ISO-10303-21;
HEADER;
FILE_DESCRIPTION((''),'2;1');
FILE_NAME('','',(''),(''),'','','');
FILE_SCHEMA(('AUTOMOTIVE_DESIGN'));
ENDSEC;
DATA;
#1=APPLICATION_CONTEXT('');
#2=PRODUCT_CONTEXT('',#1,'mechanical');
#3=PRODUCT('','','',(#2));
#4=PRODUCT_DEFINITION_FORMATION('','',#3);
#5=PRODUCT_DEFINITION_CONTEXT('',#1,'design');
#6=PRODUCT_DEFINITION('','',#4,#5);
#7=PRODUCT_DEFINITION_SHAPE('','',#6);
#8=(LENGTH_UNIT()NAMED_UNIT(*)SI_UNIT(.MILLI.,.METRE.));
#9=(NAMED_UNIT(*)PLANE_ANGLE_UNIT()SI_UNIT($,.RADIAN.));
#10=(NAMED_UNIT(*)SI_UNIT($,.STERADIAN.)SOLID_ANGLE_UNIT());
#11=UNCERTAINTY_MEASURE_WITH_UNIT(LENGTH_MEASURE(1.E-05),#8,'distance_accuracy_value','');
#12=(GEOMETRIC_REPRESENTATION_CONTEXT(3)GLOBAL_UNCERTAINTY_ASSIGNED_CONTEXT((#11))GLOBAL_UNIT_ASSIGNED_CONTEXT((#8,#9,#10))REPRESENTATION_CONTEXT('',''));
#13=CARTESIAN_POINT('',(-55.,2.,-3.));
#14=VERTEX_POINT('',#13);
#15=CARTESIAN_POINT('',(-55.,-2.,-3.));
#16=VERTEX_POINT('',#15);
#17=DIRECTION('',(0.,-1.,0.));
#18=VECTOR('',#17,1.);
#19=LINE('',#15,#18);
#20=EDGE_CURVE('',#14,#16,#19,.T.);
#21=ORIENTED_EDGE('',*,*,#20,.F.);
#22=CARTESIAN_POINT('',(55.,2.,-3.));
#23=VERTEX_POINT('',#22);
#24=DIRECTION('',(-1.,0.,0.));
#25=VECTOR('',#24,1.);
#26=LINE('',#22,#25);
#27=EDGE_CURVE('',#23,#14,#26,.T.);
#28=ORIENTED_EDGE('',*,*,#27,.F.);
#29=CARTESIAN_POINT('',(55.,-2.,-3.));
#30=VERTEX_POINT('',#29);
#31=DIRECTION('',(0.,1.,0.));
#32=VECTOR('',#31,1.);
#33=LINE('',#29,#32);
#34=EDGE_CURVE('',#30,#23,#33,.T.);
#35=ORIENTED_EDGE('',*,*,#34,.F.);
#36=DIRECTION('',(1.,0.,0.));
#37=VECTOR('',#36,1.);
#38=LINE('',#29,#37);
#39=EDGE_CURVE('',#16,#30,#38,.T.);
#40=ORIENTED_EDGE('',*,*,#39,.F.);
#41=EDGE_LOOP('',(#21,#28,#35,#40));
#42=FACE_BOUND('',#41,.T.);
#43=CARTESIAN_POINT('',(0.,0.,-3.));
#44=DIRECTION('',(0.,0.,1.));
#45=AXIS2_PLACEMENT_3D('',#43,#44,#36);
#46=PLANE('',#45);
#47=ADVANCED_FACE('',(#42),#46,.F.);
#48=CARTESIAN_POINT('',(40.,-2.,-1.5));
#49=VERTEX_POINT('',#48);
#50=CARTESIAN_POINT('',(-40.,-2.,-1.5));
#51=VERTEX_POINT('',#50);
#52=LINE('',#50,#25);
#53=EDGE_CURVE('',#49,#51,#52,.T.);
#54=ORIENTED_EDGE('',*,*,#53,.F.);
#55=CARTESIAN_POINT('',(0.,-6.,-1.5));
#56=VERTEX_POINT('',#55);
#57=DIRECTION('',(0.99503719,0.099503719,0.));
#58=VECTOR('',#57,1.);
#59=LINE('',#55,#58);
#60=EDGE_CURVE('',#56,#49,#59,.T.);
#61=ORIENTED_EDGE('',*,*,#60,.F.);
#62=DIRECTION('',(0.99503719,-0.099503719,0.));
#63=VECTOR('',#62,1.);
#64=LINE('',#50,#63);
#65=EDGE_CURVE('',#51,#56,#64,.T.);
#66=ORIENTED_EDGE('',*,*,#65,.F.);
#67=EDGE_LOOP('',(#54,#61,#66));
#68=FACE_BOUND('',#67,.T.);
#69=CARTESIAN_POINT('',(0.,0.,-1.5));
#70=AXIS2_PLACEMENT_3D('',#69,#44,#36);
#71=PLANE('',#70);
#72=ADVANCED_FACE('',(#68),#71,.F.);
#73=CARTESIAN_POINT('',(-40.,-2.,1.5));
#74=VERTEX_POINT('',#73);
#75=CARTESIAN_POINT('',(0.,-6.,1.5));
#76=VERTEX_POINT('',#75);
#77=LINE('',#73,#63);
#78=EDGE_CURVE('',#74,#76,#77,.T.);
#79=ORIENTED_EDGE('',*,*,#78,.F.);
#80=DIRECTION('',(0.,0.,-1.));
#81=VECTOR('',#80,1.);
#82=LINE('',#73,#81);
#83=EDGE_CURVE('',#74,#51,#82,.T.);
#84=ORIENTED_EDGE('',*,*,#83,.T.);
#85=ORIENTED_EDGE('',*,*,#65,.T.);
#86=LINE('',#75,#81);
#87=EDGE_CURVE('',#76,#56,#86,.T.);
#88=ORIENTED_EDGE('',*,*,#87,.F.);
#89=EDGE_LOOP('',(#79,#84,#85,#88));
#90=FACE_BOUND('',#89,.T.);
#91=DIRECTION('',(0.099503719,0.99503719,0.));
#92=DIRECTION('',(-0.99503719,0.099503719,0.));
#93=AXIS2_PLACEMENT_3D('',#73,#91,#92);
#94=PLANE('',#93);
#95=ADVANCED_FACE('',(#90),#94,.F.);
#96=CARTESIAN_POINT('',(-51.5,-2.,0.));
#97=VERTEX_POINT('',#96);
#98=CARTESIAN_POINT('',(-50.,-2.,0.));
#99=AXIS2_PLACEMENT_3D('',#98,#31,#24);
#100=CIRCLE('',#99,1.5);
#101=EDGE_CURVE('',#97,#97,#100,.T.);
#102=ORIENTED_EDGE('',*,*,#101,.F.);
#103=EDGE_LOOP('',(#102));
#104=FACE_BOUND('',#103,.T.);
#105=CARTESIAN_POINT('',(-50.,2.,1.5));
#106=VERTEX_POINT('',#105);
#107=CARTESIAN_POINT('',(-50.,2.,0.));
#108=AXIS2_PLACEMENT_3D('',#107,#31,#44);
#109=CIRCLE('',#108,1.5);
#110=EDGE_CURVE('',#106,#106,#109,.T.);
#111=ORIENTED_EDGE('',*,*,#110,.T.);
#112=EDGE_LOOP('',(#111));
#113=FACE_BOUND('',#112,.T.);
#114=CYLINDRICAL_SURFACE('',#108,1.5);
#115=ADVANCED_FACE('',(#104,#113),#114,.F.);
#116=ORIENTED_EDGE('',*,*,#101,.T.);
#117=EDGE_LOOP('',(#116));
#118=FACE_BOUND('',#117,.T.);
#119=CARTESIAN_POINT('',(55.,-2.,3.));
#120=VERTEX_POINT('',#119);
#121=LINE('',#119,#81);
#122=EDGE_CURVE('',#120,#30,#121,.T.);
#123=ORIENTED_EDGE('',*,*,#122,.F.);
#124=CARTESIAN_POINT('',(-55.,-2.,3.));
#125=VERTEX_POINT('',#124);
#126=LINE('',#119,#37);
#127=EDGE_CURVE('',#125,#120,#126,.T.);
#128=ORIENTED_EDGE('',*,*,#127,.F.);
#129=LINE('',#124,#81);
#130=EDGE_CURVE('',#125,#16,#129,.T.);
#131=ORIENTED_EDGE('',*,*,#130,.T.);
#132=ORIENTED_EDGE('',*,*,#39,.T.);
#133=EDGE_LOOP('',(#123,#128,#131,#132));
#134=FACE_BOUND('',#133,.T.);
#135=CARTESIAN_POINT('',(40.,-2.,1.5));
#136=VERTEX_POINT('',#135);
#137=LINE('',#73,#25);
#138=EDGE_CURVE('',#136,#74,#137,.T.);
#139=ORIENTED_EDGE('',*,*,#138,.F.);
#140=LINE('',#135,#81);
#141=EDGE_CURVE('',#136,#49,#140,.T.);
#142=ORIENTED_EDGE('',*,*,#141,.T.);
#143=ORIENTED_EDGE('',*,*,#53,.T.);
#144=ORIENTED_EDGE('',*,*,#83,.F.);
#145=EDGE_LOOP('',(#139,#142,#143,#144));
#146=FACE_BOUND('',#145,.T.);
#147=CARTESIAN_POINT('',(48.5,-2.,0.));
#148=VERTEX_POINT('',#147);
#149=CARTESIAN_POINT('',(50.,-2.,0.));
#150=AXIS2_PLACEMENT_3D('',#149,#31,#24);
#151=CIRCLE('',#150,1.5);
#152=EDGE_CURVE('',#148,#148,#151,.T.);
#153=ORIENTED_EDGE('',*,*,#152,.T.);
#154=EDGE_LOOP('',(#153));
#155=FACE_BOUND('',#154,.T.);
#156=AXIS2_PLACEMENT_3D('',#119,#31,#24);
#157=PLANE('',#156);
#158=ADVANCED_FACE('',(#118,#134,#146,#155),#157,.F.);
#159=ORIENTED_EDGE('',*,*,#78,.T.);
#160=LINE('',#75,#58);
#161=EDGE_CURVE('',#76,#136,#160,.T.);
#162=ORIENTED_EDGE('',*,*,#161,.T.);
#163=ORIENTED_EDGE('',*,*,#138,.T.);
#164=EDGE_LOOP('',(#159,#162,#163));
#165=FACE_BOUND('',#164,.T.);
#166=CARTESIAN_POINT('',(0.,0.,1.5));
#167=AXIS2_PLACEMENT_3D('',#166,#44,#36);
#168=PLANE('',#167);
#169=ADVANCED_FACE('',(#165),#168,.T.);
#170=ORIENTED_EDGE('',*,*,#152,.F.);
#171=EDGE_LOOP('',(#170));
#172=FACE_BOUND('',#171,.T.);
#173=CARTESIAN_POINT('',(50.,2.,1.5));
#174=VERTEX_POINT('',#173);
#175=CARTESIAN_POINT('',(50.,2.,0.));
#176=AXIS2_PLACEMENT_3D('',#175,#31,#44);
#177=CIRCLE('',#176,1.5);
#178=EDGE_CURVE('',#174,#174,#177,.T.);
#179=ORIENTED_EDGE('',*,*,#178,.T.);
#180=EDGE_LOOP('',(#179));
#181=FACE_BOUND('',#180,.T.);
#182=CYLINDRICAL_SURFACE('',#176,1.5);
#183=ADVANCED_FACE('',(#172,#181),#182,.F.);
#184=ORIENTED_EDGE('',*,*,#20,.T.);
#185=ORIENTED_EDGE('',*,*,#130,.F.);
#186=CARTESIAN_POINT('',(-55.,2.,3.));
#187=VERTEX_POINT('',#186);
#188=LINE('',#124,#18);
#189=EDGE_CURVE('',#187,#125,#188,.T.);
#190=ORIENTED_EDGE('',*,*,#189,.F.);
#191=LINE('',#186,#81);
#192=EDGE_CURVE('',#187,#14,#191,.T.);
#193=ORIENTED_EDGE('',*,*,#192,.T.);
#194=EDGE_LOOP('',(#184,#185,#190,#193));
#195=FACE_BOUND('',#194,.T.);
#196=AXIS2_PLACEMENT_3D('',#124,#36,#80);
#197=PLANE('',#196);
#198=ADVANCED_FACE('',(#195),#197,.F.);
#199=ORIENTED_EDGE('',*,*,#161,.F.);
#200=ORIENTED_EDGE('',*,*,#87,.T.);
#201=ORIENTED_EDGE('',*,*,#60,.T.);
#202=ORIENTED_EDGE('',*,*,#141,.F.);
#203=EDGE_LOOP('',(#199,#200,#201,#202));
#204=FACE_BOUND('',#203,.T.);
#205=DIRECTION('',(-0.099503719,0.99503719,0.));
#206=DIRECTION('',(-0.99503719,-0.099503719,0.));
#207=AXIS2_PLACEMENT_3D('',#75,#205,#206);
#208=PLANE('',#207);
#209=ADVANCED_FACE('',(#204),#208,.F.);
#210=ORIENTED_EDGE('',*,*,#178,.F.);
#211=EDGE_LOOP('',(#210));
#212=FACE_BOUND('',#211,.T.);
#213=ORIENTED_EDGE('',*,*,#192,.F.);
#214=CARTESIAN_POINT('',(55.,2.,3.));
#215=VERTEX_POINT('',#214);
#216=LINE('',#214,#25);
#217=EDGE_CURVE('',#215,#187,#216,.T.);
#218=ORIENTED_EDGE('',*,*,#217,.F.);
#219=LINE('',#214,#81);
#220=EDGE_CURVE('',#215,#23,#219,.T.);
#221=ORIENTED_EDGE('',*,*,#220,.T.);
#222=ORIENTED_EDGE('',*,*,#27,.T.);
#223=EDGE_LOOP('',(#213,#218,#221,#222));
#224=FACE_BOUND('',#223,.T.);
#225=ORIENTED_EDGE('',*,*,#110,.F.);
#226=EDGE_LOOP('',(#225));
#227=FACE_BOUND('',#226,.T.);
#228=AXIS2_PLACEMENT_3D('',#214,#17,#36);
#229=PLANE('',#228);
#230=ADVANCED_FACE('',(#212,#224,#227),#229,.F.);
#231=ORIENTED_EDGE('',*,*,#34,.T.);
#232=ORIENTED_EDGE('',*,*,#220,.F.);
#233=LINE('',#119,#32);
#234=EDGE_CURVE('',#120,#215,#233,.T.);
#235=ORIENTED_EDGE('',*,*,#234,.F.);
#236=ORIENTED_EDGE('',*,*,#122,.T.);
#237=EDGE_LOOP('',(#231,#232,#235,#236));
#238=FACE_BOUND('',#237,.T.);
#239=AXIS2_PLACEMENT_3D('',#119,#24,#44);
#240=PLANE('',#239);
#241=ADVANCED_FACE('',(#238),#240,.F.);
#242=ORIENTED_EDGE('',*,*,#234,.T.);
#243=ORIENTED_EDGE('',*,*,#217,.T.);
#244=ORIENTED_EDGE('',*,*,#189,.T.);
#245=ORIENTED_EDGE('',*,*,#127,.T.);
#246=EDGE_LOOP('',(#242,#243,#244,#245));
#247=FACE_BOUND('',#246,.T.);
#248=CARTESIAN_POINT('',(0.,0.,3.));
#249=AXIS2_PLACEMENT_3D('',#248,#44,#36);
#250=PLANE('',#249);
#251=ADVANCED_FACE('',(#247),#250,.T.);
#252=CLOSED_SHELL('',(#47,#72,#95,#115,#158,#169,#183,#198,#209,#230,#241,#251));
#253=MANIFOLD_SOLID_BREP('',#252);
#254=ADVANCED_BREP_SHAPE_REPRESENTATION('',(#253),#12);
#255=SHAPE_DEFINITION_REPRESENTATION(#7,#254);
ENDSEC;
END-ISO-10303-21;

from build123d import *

# Parameters (mm, degrees)
SKETCH1_W                = 110
SKETCH1_H                = 4
BOSS_EXTRUDE1_DEPTH      = 3
BOSS_EXTRUDE2_DEPTH      = 1.5
F_3_0_3_DIAMETER_HOLE1_D = 3


with BuildPart() as part:
    # Sketch1 → Boss-Extrude1 (new, symmetric)
    with BuildSketch(Plane.XY):
        Rectangle(SKETCH1_W, SKETCH1_H)
    extrude(amount=BOSS_EXTRUDE1_DEPTH, both=True)

    # Sketch2 → Boss-Extrude2 (add, symmetric)
    with BuildSketch(Plane.XY):
        Polygon((-40, -2), (0, -6), (40, -2), align=None)
    extrude(amount=BOSS_EXTRUDE2_DEPTH, both=True)

    # Ø3.0 (3) Diameter Hole1 (through all)
    with Locations(Plane(origin=(0, 2, 0), x_dir=(1, 0, 0), z_dir=(0, 1, 0))):
        with Locations((-50, 0), (50, 0)):
            Hole(F_3_0_3_DIAMETER_HOLE1_D / 2)


solid = part.part
